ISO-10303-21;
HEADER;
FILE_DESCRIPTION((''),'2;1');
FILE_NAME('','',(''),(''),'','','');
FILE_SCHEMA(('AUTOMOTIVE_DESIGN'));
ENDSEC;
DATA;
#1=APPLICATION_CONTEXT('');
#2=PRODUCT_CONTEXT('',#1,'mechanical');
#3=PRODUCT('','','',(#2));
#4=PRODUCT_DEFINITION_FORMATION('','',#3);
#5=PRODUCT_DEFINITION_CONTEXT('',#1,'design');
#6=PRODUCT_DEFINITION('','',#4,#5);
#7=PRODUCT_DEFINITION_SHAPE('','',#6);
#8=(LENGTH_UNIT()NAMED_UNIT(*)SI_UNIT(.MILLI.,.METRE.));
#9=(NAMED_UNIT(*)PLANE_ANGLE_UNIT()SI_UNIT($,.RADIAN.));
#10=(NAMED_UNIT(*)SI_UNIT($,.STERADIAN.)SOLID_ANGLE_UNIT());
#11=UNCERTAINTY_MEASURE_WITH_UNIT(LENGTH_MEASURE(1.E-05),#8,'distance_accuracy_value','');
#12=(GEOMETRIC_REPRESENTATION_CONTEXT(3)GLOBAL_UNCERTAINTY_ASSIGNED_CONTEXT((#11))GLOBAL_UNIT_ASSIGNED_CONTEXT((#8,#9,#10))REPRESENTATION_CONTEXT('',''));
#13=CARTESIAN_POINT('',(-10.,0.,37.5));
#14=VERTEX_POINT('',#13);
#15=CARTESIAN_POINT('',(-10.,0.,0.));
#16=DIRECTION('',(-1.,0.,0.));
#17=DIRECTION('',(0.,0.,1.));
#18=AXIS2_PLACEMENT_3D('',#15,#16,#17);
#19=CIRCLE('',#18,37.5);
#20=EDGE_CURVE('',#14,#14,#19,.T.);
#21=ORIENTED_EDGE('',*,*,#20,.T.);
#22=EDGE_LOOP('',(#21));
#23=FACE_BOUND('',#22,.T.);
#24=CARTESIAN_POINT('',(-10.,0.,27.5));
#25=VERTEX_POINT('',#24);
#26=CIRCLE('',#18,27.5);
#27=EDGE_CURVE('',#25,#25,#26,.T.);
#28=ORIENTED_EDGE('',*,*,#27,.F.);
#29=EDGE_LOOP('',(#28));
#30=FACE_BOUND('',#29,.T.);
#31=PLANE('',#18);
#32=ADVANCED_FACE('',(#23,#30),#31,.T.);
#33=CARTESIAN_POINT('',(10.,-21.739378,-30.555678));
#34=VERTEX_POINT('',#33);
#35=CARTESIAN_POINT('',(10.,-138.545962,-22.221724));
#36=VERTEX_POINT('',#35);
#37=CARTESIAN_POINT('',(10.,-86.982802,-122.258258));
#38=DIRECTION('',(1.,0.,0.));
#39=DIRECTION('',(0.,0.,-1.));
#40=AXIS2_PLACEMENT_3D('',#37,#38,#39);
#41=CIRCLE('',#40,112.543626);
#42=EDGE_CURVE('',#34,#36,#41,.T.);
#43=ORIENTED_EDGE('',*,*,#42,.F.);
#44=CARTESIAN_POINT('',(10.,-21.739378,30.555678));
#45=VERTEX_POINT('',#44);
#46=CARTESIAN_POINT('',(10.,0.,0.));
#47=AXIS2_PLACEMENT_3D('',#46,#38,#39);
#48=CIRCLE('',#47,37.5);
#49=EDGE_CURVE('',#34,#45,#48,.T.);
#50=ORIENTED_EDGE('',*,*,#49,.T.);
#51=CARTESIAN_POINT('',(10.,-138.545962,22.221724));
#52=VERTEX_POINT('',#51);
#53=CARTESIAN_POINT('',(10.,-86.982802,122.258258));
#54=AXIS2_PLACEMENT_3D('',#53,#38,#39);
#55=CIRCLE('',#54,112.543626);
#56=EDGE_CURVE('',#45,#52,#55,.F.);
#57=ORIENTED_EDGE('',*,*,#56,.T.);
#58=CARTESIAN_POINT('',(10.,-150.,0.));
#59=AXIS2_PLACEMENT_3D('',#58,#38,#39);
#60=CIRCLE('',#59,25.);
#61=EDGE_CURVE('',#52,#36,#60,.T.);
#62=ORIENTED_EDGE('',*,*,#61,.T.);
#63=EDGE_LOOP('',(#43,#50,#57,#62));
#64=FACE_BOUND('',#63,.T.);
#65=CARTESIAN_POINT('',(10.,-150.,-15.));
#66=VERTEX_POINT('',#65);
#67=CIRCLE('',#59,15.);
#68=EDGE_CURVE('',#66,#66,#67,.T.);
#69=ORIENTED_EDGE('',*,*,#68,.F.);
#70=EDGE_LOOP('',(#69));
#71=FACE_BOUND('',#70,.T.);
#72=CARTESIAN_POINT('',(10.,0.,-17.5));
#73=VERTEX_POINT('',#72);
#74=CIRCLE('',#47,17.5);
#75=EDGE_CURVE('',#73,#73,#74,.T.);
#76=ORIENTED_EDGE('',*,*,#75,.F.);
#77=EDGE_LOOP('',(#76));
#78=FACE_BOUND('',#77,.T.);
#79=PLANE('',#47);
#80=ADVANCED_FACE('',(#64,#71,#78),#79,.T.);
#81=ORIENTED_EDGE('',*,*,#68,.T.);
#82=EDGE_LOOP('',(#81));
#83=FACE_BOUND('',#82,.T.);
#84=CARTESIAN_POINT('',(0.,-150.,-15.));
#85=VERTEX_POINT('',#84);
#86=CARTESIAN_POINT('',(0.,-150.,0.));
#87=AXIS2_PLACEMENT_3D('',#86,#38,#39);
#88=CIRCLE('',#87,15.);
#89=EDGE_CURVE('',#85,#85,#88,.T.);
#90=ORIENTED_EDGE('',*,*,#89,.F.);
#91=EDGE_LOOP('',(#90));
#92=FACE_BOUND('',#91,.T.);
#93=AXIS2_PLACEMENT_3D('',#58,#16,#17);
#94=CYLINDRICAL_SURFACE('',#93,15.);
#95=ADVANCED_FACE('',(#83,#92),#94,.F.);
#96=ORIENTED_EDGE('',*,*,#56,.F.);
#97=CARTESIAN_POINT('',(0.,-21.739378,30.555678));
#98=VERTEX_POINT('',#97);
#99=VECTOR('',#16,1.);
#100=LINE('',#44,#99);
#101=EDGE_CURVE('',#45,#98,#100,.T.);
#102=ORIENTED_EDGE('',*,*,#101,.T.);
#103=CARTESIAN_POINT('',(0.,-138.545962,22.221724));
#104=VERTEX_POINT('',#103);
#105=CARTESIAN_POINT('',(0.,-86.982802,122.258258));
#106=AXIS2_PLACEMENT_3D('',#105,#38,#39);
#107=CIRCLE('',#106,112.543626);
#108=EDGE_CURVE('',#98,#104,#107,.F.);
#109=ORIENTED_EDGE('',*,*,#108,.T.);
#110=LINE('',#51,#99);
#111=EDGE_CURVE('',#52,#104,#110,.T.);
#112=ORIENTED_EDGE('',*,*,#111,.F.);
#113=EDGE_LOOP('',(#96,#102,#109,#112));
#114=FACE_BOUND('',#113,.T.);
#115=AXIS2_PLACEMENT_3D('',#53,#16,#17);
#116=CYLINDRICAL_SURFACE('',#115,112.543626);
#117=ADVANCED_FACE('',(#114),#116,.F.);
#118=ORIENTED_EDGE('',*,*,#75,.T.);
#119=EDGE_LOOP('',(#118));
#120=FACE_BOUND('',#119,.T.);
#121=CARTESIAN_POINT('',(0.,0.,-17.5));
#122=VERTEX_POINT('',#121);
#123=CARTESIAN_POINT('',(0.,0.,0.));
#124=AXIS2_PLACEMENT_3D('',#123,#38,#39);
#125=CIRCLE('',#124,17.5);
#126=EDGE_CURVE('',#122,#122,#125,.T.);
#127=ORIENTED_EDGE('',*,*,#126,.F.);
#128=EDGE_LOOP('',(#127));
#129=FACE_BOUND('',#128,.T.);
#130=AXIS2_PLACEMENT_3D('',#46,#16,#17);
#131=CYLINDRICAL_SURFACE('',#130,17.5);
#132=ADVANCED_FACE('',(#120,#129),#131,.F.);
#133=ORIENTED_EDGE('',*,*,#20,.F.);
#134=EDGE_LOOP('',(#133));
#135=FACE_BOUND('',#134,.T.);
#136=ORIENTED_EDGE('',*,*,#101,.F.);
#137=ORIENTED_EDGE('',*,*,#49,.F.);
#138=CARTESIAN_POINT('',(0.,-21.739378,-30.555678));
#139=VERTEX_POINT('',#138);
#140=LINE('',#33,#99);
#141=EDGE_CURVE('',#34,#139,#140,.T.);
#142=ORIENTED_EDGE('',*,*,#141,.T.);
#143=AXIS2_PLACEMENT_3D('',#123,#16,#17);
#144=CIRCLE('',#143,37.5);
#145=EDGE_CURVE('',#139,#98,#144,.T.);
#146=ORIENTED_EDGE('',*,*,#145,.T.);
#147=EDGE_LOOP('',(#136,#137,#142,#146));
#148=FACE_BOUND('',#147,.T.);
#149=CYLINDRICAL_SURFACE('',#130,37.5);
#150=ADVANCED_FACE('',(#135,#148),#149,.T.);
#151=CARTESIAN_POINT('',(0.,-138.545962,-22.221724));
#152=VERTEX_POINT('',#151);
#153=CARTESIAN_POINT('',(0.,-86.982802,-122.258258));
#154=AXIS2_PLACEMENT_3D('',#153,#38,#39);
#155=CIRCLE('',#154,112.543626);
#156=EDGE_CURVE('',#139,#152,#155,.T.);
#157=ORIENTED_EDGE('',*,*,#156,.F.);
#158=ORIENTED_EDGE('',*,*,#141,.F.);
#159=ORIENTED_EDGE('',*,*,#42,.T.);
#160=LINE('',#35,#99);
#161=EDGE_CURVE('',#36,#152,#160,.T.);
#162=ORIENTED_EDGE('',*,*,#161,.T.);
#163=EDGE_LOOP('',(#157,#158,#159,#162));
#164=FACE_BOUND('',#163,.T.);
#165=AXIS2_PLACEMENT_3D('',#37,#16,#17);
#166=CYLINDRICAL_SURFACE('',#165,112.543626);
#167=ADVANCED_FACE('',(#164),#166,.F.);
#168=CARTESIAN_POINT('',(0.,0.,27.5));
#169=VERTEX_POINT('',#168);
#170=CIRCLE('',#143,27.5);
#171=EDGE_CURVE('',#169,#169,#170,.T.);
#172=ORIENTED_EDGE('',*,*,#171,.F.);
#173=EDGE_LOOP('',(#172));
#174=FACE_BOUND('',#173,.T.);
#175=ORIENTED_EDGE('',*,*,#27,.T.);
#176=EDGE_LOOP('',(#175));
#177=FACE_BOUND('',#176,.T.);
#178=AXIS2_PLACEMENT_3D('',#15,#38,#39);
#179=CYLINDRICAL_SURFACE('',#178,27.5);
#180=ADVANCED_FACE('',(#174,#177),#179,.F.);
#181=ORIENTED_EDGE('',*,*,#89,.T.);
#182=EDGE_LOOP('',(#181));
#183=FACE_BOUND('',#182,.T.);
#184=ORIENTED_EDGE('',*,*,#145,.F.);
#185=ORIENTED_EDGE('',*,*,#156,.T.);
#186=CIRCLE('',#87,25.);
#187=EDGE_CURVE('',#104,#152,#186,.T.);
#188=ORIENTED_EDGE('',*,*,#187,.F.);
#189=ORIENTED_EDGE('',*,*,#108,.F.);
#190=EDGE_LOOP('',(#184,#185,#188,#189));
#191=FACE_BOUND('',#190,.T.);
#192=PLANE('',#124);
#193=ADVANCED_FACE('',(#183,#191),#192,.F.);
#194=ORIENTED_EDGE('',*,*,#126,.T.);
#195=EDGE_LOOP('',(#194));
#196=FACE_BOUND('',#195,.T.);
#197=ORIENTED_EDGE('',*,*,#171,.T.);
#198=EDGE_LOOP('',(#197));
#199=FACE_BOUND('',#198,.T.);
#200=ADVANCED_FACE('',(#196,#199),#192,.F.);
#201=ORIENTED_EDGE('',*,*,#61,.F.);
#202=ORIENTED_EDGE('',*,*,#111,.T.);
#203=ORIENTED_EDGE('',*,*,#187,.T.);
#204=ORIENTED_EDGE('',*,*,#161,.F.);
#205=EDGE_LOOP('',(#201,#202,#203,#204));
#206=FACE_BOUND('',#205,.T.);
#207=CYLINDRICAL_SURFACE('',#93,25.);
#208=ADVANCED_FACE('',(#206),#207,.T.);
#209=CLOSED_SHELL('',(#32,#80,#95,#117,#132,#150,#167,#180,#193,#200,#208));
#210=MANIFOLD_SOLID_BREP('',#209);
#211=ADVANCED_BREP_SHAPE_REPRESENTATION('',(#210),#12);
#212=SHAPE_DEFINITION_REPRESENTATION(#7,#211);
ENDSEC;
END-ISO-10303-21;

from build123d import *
from build123d.topology import SkipClean

# Parameters (mm, degrees)
SKETCH1_R           = 17.5
SKETCH1_R_2         = 15
BOSS_EXTRUDE1_DEPTH = 10
BOSS_EXTRUDE2_START = 10
SKETCH2_R           = 37.5
SKETCH2_R_2         = 27.5
BOSS_EXTRUDE2_DEPTH = 10


with BuildPart() as part:
    # Sketch1 → Boss-Extrude1 (new body)
    with BuildSketch(Plane(origin=(0, 0, 0), x_dir=(0, 0, -1), z_dir=(1, 0, 0))):
        with BuildLine():
            ThreePointArc((-30.555677848, -21.739377894), (-10, -78.973363491), (-22.221723794, -138.545961778))
            ThreePointArc((-22.221723794, -138.545961778), (0, -175), (22.221723794, -138.545961778))
            ThreePointArc((22.221723794, -138.545961778), (10, -78.973363491), (30.555677848, -21.739377894))
            ThreePointArc((30.555677848, -21.739377894), (0, 37.5), (-30.555677848, -21.739377894))
        make_face()
        Circle(SKETCH1_R, mode=Mode.SUBTRACT)
        with Locations((0, -150)):
            Circle(SKETCH1_R_2, mode=Mode.SUBTRACT)
    extrude(amount=BOSS_EXTRUDE1_DEPTH)

    # Sketch2 → Boss-Extrude2 (add)
    with SkipClean():  # the faces are left unmerged after this step: merging them gives an invalid solid
        with BuildSketch(Plane.ZY.offset(BOSS_EXTRUDE2_START)):
            Circle(SKETCH2_R)
            Circle(SKETCH2_R_2, mode=Mode.SUBTRACT)
        extrude(amount=-BOSS_EXTRUDE2_DEPTH)


solid = part.part
